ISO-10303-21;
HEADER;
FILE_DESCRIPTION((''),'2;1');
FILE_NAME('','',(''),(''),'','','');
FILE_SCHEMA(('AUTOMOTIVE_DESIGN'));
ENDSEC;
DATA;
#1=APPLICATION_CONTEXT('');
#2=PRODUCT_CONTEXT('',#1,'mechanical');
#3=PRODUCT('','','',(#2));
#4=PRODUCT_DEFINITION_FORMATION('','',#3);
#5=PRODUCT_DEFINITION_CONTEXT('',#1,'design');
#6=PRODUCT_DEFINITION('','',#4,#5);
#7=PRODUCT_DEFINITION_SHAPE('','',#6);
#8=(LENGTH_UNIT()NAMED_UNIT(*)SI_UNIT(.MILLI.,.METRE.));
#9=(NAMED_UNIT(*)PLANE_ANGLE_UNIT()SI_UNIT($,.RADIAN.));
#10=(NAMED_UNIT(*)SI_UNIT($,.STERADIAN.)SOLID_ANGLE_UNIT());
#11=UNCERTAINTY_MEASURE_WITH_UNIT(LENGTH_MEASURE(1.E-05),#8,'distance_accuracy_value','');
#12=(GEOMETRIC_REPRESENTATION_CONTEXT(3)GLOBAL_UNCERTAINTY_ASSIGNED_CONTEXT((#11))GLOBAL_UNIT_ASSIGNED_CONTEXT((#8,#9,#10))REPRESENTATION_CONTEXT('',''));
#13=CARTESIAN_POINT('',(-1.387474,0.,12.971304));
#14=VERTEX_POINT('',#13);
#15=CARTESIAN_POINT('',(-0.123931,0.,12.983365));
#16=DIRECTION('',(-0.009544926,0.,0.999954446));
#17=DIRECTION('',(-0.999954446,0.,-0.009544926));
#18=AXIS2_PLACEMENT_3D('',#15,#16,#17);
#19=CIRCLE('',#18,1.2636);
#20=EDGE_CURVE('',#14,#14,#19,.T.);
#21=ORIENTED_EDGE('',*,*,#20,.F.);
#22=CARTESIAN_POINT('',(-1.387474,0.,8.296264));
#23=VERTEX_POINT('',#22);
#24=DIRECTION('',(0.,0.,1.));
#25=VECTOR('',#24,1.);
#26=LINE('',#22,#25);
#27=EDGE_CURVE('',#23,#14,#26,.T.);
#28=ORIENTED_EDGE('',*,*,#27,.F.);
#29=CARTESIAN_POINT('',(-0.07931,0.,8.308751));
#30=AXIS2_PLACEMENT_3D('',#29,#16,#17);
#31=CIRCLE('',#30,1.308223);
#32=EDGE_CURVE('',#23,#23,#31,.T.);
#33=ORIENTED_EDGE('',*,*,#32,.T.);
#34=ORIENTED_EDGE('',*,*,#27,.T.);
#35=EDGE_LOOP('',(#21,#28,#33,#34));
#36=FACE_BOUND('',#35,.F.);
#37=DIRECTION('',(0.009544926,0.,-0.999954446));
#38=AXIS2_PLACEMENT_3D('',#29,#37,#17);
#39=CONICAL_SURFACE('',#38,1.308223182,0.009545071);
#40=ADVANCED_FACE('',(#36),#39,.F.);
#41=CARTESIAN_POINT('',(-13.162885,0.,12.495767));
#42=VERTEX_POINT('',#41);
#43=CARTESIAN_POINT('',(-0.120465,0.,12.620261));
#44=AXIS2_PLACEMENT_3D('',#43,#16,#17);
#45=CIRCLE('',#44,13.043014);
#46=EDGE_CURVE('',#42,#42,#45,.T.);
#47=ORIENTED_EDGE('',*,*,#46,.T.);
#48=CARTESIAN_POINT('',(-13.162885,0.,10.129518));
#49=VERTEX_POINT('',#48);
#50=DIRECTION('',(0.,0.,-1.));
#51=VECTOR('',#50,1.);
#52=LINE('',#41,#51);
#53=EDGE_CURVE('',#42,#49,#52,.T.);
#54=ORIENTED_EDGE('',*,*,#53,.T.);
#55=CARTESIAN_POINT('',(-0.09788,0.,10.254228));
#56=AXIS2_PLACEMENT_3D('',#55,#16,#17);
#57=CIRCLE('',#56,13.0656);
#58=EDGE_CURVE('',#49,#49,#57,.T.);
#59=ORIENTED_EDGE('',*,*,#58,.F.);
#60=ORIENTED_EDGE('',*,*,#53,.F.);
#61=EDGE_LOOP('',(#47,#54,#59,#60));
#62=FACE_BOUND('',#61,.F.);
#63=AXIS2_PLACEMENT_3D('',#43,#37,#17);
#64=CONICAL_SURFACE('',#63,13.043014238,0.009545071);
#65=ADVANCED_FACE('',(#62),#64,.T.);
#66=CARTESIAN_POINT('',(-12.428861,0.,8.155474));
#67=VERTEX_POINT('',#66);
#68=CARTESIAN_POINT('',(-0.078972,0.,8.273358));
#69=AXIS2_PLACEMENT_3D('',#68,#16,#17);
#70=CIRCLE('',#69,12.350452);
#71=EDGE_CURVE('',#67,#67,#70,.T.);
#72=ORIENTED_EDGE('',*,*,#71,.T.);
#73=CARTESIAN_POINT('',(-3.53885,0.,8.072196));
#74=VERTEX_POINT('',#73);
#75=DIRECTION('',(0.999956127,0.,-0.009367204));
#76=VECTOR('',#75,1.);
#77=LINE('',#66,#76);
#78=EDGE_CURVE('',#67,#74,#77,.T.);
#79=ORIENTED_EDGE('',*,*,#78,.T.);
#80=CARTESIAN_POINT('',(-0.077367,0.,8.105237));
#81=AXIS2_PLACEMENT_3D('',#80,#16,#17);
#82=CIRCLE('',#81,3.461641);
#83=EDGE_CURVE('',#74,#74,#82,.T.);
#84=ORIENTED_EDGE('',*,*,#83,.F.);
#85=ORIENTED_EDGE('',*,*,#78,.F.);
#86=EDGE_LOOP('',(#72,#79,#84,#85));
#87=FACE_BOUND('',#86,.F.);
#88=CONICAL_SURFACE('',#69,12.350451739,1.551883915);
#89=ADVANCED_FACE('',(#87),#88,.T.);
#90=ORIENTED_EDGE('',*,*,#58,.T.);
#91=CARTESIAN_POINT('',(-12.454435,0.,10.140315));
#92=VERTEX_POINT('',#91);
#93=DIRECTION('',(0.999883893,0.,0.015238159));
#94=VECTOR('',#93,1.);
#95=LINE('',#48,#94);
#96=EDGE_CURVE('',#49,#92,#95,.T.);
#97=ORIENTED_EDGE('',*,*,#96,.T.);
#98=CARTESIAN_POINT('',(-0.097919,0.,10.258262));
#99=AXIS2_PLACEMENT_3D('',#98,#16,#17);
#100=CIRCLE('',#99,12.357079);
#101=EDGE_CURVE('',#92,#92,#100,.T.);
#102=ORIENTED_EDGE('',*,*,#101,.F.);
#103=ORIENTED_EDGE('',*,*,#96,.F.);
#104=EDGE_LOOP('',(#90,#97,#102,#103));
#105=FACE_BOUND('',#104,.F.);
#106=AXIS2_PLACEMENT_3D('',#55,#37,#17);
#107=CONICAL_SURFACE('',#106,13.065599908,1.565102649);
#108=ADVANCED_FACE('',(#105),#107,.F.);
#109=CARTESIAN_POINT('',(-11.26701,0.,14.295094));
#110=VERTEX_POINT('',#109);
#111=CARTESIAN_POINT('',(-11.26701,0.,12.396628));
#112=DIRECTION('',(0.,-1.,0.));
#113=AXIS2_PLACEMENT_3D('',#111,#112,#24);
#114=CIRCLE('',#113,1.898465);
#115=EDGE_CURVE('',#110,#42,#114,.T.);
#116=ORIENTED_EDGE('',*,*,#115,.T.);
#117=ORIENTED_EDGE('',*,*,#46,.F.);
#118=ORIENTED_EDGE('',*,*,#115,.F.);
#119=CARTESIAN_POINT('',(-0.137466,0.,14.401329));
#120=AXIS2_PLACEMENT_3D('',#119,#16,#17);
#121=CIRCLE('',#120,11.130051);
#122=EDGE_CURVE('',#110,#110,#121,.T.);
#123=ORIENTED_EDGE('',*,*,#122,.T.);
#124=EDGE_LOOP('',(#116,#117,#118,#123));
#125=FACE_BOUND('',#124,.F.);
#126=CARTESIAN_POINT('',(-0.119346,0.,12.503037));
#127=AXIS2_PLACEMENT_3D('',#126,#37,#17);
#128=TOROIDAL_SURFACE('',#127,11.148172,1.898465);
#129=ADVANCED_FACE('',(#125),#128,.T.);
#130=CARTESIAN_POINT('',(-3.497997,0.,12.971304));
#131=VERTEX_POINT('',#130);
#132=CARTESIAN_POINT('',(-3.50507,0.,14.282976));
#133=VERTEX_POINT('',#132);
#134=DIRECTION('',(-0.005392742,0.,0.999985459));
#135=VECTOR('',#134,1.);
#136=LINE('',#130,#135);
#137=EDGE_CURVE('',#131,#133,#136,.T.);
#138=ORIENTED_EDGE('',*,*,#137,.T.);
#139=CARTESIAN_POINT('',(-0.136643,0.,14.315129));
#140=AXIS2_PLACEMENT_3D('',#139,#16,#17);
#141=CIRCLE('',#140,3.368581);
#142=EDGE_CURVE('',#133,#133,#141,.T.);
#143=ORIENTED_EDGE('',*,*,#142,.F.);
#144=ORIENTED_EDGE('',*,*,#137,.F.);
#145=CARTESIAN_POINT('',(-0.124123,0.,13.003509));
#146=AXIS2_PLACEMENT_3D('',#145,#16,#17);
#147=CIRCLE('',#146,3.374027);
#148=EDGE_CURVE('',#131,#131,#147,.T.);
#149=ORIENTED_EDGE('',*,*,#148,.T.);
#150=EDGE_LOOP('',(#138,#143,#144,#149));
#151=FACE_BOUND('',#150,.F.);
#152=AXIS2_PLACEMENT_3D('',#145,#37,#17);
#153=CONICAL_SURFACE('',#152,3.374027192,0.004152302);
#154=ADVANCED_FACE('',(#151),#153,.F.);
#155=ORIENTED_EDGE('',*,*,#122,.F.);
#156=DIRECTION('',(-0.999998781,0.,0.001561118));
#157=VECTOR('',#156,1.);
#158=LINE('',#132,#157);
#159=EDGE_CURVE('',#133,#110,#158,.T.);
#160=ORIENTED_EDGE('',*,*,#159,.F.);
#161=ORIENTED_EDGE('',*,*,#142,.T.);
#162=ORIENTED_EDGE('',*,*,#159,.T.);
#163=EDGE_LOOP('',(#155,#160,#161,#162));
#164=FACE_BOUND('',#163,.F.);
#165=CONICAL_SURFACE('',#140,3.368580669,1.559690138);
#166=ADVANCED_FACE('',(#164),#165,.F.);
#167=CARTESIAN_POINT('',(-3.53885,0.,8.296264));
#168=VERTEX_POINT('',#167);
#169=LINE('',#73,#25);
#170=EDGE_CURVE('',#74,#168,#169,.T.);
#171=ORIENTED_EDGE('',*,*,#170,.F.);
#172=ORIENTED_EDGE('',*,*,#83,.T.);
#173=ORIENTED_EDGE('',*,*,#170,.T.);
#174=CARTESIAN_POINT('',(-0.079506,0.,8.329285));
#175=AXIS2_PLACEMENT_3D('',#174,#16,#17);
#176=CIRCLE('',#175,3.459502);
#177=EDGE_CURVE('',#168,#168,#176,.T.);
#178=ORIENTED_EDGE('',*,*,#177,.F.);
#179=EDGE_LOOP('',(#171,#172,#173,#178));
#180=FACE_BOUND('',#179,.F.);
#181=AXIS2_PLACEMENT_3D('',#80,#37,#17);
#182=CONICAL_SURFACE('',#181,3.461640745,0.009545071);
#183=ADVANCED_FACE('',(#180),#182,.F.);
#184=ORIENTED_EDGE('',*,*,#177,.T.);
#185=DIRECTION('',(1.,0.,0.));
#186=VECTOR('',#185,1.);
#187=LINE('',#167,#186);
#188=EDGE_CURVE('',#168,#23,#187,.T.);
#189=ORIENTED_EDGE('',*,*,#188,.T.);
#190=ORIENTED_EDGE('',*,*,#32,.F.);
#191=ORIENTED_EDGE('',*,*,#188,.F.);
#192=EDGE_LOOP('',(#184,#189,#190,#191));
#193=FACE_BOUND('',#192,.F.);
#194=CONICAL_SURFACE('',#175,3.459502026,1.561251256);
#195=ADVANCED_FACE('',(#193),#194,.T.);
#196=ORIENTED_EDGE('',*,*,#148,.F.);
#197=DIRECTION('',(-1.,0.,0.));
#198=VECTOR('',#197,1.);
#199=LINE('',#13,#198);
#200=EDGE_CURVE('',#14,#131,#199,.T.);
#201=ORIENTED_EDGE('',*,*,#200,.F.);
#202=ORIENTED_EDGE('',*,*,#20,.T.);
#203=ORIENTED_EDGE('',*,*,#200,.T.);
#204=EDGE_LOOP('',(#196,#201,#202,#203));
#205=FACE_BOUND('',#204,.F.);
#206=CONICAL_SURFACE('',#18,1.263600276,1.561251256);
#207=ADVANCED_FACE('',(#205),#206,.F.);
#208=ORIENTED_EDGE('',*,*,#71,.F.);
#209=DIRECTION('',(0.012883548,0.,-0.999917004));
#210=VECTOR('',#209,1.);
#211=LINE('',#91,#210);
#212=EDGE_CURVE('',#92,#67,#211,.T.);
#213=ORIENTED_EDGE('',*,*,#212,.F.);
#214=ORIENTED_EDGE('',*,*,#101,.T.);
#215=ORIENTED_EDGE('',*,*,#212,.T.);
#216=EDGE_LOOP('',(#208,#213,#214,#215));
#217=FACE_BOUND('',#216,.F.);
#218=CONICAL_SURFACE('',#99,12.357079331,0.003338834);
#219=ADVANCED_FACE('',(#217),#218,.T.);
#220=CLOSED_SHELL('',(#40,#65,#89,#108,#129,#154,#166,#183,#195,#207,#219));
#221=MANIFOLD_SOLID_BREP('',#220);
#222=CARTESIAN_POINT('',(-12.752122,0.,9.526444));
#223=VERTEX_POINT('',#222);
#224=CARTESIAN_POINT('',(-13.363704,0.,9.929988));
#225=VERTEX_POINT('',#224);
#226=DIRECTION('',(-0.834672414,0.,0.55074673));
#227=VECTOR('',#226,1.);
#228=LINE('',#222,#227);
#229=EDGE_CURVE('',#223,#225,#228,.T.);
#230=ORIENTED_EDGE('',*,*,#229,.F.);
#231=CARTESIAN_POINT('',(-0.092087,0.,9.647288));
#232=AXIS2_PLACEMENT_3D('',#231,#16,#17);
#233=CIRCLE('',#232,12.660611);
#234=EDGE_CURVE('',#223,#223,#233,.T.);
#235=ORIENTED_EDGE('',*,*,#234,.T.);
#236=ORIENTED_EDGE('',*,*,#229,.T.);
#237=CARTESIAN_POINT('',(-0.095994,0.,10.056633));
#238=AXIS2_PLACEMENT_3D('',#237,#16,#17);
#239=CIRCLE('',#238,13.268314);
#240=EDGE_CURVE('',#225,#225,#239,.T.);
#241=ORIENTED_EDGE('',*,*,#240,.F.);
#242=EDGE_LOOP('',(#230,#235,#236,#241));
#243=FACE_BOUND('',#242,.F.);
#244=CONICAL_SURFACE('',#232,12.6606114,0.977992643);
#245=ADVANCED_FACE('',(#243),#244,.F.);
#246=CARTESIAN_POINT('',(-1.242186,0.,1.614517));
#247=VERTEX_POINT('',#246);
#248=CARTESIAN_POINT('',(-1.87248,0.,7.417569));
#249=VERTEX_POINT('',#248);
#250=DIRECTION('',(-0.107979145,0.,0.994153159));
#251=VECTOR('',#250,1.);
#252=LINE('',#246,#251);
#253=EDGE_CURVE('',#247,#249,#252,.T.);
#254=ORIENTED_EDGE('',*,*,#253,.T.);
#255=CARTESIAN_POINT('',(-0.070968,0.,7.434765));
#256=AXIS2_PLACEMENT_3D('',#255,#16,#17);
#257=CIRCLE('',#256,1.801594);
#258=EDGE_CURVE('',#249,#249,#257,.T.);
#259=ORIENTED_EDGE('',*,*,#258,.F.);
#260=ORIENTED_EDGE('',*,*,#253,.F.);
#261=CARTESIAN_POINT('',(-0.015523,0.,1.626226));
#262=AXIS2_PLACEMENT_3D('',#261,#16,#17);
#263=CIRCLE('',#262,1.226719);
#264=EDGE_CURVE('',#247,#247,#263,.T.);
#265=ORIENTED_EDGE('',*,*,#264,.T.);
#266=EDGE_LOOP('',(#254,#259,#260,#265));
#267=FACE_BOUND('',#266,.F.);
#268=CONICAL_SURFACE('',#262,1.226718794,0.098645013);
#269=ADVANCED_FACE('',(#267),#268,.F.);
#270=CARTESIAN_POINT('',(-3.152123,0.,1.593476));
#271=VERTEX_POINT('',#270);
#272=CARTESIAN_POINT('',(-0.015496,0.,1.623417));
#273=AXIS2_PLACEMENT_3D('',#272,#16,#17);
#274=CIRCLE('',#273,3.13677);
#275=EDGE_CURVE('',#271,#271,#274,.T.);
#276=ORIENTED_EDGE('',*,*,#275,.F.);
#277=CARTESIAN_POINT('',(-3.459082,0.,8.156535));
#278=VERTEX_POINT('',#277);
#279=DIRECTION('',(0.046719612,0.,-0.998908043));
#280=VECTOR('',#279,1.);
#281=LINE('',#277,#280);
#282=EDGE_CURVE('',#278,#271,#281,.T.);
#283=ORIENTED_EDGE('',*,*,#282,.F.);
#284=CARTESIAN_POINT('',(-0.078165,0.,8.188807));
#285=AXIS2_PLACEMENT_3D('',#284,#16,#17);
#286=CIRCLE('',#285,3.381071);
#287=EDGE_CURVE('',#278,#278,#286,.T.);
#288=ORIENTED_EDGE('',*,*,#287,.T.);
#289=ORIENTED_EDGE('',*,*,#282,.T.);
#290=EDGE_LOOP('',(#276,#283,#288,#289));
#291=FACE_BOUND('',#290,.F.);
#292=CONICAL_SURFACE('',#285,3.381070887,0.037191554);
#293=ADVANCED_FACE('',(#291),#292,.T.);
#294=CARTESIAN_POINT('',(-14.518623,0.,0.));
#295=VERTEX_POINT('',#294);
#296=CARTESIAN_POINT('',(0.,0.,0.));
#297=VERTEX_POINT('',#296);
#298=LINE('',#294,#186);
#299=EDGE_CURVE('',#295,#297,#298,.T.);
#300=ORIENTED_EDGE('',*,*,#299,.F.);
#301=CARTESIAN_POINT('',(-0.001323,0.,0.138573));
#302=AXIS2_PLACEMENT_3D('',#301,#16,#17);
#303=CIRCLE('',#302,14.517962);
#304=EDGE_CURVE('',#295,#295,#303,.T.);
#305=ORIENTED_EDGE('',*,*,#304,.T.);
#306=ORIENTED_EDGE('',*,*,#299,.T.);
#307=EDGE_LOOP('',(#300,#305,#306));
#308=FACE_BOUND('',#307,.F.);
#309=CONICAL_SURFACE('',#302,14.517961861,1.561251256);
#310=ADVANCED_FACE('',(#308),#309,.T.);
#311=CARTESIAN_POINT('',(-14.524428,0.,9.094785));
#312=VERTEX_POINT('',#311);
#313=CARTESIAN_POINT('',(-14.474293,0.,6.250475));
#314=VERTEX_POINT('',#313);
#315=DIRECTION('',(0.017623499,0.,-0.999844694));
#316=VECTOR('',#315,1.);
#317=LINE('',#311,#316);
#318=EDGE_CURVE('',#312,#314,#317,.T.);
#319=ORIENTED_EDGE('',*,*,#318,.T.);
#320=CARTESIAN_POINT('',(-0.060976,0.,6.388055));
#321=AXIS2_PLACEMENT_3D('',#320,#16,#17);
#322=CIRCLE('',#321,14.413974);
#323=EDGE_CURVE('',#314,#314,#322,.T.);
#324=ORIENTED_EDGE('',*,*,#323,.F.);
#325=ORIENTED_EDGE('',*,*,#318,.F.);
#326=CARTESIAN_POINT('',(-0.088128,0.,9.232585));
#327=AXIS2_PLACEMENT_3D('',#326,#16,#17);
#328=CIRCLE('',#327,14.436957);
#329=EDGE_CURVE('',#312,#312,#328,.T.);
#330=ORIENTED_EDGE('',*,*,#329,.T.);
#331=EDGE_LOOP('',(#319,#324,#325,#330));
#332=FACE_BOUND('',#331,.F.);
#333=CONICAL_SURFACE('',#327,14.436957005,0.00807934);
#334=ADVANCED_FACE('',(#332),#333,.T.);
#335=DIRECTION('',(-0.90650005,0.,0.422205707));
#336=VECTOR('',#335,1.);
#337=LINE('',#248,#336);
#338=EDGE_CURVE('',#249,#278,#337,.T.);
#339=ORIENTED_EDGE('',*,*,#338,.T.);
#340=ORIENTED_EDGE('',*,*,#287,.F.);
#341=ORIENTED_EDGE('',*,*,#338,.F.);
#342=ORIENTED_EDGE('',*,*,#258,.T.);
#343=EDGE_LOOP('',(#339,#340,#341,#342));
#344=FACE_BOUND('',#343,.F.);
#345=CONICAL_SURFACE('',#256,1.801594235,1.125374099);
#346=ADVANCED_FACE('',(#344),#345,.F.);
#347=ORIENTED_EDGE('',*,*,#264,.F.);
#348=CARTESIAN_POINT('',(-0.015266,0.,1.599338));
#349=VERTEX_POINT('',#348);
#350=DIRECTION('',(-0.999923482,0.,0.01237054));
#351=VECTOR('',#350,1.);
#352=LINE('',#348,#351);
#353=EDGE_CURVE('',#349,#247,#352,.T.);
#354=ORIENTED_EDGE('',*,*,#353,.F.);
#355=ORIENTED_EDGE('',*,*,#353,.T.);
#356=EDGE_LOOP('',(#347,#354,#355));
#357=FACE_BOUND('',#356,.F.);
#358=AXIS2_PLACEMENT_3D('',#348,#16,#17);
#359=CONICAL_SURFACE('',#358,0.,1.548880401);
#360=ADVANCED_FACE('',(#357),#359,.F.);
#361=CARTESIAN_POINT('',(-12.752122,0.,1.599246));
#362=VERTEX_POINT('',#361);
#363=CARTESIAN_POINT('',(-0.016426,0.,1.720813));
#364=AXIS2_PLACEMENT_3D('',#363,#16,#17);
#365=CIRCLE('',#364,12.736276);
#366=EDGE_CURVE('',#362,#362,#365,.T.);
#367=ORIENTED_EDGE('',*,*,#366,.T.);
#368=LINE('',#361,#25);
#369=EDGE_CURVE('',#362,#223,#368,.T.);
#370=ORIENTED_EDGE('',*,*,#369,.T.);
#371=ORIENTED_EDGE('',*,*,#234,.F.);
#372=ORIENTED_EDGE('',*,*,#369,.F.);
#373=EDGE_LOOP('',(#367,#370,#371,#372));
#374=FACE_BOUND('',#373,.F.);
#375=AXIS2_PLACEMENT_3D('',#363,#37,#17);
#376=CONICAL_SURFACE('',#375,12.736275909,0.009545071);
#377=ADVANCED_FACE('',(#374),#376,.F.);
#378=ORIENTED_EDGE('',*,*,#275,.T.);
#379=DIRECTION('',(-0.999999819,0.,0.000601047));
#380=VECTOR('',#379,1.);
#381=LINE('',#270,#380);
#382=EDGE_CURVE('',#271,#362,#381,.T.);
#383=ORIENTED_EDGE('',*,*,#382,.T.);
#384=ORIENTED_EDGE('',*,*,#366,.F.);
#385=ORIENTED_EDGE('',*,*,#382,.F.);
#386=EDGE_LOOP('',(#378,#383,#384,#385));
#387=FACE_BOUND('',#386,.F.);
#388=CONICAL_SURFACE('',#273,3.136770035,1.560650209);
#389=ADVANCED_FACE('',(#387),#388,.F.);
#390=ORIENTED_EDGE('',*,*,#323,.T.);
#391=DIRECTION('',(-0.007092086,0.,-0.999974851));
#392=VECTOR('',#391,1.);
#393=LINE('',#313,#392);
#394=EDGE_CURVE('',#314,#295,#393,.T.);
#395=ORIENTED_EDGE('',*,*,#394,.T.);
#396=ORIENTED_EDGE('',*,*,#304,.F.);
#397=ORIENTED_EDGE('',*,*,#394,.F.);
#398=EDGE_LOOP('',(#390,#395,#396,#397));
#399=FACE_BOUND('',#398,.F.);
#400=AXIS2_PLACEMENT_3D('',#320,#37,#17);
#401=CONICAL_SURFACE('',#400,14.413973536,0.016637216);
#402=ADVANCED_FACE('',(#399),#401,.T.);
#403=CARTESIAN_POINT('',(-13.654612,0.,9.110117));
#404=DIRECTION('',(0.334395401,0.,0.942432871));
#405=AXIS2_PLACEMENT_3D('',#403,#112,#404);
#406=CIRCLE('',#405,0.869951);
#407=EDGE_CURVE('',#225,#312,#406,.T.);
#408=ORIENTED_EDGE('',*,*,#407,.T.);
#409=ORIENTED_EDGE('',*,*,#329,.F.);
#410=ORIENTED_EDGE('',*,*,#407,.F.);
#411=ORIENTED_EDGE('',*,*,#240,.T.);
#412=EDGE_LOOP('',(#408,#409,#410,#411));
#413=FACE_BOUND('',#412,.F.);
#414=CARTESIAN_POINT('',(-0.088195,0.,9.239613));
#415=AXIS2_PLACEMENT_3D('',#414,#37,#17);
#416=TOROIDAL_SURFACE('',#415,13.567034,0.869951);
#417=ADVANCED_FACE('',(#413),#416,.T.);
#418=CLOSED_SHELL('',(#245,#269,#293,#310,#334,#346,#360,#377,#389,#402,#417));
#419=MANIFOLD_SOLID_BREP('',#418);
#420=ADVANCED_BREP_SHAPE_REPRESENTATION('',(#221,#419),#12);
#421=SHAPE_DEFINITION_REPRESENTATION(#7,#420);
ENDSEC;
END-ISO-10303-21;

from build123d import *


with BuildPart() as f2:
    # F0 (on Front) → F2 (revolve)
    with BuildSketch(Plane.XZ):
        with BuildLine():
            ThreePointArc((-13.3637038751, 9.9299876019), (-14.1627202538, 9.8162619314), (-14.5244277004, 9.0947853727))
            Line((-14.5244277004, 9.0947853727), (-14.4742932171, 6.2504751841))
            Line((-14.4742932171, 6.2504751841), (-14.5186232403, 0))
            Line((-14.5186232403, 0), (0, 0))
            Line((0, 0), (-0.0152662604, 1.5993382476))
            Line((-0.0152662604, 1.5993382476), (-1.2421858264, 1.6145170666))
            Line((-1.2421858264, 1.6145170666), (-1.8724796828, 7.4175694026))
            Line((-1.8724796828, 7.4175694026), (-3.4590819851, 8.1565352157))
            Line((-3.4590819851, 8.1565352157), (-3.1521232403, 1.5934764208))
            Line((-3.1521232403, 1.5934764208), (-12.7521215063, 1.5992464713))
            Line((-12.7521215063, 1.5992464713), (-12.7521215063, 9.5264436677))
            Line((-12.7521215063, 9.5264436677), (-13.3637038751, 9.9299876019))
        make_face()
    revolve(axis=Axis((-0.0076331302, 0, 0.7996691238), (-0.0095449258, 0, 0.9999544462)))


with BuildPart() as f3:
    # F1 (on Front) → F3 (revolve)
    with BuildSketch(Plane.XZ):
        with BuildLine():
            Line((-12.4288613136, 8.155473838), (-3.5388504621, 8.0721956371))
            Line((-3.5388504621, 8.0721956371), (-3.5388504621, 8.2962643355))
            Line((-3.5388504621, 8.2962643355), (-1.3874736141, 8.2962643355))
            Line((-1.3874736141, 8.2962643355), (-1.3874736141, 12.971303954))
            Line((-1.3874736141, 12.971303954), (-3.497996673, 12.971303954))
            Line((-3.497996673, 12.971303954), (-3.5050702863, 14.2829762243))
            Line((-3.5050702863, 14.2829762243), (-11.2670098338, 14.295093542))
            ThreePointArc((-11.2670098338, 14.295093542), (-12.5739068779, 13.7736506866), (-13.162885025, 12.4957667805))
            Line((-13.162885025, 12.4957667805), (-13.162885025, 10.1295179739))
            Line((-13.162885025, 10.1295179739), (-12.4544352293, 10.1403146982))
            Line((-12.4544352293, 10.1403146982), (-12.4288613136, 8.155473838))
        make_face()
    revolve(axis=Axis((-0.0076331302, 0, 0.7996691238), (-0.0095449258, 0, 0.9999544462)))


solid = Compound([f2.part, f3.part])
